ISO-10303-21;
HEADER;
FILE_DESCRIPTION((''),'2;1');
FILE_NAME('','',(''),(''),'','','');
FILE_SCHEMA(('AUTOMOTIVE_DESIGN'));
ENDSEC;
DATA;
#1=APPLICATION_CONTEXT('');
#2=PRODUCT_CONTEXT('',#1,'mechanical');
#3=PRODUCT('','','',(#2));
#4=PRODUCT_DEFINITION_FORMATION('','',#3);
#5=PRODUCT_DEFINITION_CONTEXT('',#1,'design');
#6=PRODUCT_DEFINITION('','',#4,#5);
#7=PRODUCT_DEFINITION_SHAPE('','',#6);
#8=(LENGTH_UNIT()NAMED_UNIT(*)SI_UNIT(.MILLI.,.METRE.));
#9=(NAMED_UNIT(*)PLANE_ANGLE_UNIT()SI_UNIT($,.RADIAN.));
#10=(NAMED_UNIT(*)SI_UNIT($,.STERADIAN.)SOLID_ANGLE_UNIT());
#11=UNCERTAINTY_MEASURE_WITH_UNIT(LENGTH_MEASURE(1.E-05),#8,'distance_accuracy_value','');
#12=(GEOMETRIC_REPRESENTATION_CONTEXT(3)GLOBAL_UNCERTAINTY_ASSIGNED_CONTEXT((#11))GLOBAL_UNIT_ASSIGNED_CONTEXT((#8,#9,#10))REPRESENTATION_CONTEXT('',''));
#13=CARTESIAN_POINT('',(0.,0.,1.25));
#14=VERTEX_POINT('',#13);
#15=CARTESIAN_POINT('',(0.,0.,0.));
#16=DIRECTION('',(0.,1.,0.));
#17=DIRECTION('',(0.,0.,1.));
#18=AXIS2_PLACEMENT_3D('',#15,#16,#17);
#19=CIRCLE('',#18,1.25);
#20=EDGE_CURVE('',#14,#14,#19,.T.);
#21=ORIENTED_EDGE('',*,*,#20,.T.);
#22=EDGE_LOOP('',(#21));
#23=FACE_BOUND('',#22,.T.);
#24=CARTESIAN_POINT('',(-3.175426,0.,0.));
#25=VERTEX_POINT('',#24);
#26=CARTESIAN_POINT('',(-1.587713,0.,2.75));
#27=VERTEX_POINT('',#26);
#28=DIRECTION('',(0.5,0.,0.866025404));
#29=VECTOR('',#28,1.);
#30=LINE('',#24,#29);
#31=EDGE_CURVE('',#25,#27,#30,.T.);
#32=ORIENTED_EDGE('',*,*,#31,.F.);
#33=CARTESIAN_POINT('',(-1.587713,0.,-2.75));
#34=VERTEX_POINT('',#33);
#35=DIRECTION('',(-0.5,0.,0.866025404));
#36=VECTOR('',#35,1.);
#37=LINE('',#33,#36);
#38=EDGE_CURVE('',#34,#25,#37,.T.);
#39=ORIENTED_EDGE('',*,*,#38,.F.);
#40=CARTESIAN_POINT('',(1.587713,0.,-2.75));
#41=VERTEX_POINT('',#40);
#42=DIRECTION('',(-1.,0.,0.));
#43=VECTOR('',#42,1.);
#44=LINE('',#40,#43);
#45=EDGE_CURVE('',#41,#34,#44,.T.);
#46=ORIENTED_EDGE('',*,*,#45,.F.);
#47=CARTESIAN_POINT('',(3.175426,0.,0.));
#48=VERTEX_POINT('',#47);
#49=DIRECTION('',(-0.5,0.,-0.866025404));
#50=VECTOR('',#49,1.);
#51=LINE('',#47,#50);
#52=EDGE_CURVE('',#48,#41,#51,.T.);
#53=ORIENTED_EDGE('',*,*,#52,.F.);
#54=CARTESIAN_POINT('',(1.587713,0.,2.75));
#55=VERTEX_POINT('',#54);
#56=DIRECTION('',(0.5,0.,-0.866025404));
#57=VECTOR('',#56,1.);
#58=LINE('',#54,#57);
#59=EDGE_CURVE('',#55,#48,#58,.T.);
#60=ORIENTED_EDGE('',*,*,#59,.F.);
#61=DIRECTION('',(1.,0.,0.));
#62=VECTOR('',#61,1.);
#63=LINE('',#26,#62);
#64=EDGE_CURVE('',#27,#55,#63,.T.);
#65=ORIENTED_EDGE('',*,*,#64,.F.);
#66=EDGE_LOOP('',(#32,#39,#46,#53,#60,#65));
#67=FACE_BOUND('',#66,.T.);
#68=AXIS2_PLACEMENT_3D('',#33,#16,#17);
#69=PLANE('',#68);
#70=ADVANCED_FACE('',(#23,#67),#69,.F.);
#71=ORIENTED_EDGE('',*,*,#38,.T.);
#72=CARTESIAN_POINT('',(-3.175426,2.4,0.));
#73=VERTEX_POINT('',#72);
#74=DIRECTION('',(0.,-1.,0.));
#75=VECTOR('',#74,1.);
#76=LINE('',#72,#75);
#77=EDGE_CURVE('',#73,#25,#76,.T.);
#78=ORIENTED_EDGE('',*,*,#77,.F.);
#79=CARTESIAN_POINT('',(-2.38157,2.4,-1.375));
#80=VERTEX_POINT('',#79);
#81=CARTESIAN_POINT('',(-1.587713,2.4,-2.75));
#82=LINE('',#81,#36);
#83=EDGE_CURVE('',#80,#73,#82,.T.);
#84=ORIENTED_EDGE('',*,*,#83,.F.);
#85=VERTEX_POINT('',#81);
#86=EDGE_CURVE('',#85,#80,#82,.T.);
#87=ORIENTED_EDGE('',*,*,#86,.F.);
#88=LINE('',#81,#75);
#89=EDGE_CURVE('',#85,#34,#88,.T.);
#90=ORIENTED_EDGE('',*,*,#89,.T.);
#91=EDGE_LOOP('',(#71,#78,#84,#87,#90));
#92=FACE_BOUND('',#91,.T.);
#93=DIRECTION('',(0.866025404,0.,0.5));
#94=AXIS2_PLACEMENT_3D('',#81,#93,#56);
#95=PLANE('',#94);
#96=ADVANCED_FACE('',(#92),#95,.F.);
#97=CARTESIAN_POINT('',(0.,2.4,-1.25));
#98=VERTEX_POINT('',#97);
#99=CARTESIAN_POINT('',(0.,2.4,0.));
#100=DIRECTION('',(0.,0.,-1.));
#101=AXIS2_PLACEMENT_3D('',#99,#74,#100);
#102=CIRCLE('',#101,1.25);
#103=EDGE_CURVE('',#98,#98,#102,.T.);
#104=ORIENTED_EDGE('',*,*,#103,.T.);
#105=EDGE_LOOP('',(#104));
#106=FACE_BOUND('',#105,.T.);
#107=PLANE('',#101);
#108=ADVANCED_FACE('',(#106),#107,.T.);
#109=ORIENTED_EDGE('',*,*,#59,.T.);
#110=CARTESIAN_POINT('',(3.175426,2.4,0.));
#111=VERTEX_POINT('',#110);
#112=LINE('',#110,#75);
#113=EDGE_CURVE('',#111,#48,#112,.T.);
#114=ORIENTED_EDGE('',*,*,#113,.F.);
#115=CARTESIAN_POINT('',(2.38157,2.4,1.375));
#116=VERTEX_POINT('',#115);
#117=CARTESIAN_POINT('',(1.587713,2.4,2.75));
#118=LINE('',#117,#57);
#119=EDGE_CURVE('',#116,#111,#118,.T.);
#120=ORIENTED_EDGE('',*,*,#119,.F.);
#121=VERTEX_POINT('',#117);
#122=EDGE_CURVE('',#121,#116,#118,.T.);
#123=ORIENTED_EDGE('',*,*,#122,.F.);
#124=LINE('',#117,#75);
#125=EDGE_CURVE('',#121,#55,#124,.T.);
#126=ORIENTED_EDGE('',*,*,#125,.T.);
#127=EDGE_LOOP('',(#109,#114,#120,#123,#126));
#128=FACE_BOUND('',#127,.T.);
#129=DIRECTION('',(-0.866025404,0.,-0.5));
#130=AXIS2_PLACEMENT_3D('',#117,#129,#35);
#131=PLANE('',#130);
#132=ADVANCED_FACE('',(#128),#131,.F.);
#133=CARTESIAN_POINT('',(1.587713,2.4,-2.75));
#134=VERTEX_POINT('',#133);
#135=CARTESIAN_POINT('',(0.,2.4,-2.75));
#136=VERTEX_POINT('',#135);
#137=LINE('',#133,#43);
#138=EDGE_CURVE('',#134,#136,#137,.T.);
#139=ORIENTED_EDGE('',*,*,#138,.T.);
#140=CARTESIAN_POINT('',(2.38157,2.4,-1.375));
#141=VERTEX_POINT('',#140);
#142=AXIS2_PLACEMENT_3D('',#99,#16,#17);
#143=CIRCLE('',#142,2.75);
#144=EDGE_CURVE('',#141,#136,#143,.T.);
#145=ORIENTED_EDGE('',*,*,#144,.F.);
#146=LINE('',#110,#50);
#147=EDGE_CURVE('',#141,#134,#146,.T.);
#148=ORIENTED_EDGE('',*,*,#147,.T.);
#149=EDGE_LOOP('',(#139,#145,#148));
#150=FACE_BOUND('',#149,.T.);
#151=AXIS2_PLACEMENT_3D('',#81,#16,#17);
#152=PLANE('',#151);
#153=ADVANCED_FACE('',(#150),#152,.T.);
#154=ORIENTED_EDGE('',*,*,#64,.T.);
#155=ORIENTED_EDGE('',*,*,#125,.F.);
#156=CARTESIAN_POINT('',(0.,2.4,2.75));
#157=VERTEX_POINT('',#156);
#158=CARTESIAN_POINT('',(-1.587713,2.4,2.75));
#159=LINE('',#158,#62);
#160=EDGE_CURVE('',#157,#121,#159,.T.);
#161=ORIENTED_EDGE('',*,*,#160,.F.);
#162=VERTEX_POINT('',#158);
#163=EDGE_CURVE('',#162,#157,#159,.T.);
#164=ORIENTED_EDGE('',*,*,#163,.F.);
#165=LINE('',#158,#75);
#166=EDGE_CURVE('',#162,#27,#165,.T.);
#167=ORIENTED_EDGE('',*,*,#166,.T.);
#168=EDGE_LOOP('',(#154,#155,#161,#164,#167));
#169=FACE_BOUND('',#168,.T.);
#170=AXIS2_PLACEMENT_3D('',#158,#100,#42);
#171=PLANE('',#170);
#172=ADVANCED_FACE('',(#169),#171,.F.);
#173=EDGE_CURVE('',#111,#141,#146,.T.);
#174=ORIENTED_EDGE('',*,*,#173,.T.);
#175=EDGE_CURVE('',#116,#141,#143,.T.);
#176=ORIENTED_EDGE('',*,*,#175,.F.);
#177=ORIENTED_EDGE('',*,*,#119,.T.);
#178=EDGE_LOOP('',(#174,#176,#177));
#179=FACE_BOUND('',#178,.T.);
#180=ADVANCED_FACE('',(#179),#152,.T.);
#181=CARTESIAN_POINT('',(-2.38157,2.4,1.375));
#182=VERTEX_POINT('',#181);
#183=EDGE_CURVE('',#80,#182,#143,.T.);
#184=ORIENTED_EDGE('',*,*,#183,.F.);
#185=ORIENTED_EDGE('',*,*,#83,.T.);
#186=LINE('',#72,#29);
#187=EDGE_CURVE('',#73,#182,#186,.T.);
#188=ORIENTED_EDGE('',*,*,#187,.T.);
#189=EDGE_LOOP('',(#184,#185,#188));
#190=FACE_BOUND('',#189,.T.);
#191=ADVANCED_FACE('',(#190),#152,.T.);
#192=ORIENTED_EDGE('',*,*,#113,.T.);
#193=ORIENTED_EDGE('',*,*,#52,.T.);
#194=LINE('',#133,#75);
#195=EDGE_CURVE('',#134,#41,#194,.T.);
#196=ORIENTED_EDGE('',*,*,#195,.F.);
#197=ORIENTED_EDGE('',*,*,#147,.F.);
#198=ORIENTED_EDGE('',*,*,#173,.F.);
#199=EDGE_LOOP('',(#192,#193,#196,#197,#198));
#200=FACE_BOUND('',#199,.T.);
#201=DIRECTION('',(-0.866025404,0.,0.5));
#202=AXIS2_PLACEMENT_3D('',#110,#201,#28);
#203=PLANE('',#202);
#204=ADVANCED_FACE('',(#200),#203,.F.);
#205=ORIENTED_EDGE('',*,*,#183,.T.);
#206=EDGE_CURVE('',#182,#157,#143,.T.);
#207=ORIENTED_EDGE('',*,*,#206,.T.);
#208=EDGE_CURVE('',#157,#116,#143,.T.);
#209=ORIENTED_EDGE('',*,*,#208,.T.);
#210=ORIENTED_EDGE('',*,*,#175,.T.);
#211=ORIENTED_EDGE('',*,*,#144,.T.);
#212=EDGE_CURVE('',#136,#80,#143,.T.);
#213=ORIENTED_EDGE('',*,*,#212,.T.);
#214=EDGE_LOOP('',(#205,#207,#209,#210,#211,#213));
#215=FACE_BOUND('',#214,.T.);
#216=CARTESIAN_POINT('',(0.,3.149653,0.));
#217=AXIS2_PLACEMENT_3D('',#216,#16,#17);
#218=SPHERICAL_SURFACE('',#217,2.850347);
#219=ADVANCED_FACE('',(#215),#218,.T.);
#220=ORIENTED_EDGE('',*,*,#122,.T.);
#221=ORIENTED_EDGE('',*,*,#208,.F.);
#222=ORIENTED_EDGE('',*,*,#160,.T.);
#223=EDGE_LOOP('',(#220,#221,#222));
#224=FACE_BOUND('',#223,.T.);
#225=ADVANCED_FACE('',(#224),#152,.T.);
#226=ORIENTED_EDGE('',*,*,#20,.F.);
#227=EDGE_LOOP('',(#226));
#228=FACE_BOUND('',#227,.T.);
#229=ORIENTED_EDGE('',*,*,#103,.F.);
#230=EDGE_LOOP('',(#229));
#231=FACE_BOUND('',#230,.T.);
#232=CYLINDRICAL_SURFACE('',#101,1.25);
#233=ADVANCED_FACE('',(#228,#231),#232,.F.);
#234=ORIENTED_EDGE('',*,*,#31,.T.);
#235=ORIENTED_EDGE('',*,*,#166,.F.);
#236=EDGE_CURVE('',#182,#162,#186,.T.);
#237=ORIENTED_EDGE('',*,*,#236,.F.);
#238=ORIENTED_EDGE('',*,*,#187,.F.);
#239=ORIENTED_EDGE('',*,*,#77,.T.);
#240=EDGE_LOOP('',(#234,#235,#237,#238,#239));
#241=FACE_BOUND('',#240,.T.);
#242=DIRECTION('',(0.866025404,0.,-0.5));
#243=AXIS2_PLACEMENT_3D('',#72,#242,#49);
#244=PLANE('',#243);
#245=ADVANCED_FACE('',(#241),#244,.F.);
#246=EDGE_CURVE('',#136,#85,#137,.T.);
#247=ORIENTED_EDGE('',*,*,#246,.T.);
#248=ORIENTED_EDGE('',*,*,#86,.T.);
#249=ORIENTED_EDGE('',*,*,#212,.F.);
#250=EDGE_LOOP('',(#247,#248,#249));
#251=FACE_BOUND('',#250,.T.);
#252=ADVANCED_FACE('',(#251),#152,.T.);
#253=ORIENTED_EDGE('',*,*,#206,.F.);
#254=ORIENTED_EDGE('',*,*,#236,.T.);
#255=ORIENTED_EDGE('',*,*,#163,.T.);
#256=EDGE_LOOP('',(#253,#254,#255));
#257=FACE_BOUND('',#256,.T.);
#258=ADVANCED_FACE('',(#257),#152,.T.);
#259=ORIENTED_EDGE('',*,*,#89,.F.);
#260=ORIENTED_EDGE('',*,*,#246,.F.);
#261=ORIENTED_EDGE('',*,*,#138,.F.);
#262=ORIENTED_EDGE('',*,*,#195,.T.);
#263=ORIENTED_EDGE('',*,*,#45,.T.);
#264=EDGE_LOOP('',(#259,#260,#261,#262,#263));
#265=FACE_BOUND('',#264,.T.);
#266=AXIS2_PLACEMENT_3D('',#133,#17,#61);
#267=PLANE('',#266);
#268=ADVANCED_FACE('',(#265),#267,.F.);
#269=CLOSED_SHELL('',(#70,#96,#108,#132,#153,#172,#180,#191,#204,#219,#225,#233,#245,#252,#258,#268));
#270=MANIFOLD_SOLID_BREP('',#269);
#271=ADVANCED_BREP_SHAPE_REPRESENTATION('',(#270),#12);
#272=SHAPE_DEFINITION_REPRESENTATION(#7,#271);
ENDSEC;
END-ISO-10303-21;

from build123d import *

# Parameters (mm, degrees)
CROQUIS1_R              = 1.25
SALIENTE_EXTRUIR1_DEPTH = 2.4


with BuildPart() as part:
    # Croquis1 → Saliente-Extruir1 (new body)
    with BuildSketch(Plane(origin=(0, 0, 0), x_dir=(1, 0, 0), z_dir=(0, 1, 0))):
        Polygon((-1.58771324, 2.75), (-3.175426481, 0), (-1.58771324, -2.75), (1.58771324, -2.75), (3.175426481, 0), (1.58771324, 2.75), align=None)
        Circle(CROQUIS1_R, mode=Mode.SUBTRACT)
    extrude(amount=SALIENTE_EXTRUIR1_DEPTH)

    # Croquis3 one side → Revolución2 (revolve)
    with BuildSketch(Plane(origin=(0, 0, 0), x_dir=(0, 0, -1), z_dir=(1, 0, 0))):
        with BuildLine():
            Line((0, 6), (0, 2.4))
            Line((0, 2.4), (2.75, 2.4))
            ThreePointArc((2.75, 2.4), (2.265088298, 4.879928561), (0, 6))
        make_face()
    revolve(axis=Axis((0, 6, 0), (0, -1, 0)))


solid = part.part
